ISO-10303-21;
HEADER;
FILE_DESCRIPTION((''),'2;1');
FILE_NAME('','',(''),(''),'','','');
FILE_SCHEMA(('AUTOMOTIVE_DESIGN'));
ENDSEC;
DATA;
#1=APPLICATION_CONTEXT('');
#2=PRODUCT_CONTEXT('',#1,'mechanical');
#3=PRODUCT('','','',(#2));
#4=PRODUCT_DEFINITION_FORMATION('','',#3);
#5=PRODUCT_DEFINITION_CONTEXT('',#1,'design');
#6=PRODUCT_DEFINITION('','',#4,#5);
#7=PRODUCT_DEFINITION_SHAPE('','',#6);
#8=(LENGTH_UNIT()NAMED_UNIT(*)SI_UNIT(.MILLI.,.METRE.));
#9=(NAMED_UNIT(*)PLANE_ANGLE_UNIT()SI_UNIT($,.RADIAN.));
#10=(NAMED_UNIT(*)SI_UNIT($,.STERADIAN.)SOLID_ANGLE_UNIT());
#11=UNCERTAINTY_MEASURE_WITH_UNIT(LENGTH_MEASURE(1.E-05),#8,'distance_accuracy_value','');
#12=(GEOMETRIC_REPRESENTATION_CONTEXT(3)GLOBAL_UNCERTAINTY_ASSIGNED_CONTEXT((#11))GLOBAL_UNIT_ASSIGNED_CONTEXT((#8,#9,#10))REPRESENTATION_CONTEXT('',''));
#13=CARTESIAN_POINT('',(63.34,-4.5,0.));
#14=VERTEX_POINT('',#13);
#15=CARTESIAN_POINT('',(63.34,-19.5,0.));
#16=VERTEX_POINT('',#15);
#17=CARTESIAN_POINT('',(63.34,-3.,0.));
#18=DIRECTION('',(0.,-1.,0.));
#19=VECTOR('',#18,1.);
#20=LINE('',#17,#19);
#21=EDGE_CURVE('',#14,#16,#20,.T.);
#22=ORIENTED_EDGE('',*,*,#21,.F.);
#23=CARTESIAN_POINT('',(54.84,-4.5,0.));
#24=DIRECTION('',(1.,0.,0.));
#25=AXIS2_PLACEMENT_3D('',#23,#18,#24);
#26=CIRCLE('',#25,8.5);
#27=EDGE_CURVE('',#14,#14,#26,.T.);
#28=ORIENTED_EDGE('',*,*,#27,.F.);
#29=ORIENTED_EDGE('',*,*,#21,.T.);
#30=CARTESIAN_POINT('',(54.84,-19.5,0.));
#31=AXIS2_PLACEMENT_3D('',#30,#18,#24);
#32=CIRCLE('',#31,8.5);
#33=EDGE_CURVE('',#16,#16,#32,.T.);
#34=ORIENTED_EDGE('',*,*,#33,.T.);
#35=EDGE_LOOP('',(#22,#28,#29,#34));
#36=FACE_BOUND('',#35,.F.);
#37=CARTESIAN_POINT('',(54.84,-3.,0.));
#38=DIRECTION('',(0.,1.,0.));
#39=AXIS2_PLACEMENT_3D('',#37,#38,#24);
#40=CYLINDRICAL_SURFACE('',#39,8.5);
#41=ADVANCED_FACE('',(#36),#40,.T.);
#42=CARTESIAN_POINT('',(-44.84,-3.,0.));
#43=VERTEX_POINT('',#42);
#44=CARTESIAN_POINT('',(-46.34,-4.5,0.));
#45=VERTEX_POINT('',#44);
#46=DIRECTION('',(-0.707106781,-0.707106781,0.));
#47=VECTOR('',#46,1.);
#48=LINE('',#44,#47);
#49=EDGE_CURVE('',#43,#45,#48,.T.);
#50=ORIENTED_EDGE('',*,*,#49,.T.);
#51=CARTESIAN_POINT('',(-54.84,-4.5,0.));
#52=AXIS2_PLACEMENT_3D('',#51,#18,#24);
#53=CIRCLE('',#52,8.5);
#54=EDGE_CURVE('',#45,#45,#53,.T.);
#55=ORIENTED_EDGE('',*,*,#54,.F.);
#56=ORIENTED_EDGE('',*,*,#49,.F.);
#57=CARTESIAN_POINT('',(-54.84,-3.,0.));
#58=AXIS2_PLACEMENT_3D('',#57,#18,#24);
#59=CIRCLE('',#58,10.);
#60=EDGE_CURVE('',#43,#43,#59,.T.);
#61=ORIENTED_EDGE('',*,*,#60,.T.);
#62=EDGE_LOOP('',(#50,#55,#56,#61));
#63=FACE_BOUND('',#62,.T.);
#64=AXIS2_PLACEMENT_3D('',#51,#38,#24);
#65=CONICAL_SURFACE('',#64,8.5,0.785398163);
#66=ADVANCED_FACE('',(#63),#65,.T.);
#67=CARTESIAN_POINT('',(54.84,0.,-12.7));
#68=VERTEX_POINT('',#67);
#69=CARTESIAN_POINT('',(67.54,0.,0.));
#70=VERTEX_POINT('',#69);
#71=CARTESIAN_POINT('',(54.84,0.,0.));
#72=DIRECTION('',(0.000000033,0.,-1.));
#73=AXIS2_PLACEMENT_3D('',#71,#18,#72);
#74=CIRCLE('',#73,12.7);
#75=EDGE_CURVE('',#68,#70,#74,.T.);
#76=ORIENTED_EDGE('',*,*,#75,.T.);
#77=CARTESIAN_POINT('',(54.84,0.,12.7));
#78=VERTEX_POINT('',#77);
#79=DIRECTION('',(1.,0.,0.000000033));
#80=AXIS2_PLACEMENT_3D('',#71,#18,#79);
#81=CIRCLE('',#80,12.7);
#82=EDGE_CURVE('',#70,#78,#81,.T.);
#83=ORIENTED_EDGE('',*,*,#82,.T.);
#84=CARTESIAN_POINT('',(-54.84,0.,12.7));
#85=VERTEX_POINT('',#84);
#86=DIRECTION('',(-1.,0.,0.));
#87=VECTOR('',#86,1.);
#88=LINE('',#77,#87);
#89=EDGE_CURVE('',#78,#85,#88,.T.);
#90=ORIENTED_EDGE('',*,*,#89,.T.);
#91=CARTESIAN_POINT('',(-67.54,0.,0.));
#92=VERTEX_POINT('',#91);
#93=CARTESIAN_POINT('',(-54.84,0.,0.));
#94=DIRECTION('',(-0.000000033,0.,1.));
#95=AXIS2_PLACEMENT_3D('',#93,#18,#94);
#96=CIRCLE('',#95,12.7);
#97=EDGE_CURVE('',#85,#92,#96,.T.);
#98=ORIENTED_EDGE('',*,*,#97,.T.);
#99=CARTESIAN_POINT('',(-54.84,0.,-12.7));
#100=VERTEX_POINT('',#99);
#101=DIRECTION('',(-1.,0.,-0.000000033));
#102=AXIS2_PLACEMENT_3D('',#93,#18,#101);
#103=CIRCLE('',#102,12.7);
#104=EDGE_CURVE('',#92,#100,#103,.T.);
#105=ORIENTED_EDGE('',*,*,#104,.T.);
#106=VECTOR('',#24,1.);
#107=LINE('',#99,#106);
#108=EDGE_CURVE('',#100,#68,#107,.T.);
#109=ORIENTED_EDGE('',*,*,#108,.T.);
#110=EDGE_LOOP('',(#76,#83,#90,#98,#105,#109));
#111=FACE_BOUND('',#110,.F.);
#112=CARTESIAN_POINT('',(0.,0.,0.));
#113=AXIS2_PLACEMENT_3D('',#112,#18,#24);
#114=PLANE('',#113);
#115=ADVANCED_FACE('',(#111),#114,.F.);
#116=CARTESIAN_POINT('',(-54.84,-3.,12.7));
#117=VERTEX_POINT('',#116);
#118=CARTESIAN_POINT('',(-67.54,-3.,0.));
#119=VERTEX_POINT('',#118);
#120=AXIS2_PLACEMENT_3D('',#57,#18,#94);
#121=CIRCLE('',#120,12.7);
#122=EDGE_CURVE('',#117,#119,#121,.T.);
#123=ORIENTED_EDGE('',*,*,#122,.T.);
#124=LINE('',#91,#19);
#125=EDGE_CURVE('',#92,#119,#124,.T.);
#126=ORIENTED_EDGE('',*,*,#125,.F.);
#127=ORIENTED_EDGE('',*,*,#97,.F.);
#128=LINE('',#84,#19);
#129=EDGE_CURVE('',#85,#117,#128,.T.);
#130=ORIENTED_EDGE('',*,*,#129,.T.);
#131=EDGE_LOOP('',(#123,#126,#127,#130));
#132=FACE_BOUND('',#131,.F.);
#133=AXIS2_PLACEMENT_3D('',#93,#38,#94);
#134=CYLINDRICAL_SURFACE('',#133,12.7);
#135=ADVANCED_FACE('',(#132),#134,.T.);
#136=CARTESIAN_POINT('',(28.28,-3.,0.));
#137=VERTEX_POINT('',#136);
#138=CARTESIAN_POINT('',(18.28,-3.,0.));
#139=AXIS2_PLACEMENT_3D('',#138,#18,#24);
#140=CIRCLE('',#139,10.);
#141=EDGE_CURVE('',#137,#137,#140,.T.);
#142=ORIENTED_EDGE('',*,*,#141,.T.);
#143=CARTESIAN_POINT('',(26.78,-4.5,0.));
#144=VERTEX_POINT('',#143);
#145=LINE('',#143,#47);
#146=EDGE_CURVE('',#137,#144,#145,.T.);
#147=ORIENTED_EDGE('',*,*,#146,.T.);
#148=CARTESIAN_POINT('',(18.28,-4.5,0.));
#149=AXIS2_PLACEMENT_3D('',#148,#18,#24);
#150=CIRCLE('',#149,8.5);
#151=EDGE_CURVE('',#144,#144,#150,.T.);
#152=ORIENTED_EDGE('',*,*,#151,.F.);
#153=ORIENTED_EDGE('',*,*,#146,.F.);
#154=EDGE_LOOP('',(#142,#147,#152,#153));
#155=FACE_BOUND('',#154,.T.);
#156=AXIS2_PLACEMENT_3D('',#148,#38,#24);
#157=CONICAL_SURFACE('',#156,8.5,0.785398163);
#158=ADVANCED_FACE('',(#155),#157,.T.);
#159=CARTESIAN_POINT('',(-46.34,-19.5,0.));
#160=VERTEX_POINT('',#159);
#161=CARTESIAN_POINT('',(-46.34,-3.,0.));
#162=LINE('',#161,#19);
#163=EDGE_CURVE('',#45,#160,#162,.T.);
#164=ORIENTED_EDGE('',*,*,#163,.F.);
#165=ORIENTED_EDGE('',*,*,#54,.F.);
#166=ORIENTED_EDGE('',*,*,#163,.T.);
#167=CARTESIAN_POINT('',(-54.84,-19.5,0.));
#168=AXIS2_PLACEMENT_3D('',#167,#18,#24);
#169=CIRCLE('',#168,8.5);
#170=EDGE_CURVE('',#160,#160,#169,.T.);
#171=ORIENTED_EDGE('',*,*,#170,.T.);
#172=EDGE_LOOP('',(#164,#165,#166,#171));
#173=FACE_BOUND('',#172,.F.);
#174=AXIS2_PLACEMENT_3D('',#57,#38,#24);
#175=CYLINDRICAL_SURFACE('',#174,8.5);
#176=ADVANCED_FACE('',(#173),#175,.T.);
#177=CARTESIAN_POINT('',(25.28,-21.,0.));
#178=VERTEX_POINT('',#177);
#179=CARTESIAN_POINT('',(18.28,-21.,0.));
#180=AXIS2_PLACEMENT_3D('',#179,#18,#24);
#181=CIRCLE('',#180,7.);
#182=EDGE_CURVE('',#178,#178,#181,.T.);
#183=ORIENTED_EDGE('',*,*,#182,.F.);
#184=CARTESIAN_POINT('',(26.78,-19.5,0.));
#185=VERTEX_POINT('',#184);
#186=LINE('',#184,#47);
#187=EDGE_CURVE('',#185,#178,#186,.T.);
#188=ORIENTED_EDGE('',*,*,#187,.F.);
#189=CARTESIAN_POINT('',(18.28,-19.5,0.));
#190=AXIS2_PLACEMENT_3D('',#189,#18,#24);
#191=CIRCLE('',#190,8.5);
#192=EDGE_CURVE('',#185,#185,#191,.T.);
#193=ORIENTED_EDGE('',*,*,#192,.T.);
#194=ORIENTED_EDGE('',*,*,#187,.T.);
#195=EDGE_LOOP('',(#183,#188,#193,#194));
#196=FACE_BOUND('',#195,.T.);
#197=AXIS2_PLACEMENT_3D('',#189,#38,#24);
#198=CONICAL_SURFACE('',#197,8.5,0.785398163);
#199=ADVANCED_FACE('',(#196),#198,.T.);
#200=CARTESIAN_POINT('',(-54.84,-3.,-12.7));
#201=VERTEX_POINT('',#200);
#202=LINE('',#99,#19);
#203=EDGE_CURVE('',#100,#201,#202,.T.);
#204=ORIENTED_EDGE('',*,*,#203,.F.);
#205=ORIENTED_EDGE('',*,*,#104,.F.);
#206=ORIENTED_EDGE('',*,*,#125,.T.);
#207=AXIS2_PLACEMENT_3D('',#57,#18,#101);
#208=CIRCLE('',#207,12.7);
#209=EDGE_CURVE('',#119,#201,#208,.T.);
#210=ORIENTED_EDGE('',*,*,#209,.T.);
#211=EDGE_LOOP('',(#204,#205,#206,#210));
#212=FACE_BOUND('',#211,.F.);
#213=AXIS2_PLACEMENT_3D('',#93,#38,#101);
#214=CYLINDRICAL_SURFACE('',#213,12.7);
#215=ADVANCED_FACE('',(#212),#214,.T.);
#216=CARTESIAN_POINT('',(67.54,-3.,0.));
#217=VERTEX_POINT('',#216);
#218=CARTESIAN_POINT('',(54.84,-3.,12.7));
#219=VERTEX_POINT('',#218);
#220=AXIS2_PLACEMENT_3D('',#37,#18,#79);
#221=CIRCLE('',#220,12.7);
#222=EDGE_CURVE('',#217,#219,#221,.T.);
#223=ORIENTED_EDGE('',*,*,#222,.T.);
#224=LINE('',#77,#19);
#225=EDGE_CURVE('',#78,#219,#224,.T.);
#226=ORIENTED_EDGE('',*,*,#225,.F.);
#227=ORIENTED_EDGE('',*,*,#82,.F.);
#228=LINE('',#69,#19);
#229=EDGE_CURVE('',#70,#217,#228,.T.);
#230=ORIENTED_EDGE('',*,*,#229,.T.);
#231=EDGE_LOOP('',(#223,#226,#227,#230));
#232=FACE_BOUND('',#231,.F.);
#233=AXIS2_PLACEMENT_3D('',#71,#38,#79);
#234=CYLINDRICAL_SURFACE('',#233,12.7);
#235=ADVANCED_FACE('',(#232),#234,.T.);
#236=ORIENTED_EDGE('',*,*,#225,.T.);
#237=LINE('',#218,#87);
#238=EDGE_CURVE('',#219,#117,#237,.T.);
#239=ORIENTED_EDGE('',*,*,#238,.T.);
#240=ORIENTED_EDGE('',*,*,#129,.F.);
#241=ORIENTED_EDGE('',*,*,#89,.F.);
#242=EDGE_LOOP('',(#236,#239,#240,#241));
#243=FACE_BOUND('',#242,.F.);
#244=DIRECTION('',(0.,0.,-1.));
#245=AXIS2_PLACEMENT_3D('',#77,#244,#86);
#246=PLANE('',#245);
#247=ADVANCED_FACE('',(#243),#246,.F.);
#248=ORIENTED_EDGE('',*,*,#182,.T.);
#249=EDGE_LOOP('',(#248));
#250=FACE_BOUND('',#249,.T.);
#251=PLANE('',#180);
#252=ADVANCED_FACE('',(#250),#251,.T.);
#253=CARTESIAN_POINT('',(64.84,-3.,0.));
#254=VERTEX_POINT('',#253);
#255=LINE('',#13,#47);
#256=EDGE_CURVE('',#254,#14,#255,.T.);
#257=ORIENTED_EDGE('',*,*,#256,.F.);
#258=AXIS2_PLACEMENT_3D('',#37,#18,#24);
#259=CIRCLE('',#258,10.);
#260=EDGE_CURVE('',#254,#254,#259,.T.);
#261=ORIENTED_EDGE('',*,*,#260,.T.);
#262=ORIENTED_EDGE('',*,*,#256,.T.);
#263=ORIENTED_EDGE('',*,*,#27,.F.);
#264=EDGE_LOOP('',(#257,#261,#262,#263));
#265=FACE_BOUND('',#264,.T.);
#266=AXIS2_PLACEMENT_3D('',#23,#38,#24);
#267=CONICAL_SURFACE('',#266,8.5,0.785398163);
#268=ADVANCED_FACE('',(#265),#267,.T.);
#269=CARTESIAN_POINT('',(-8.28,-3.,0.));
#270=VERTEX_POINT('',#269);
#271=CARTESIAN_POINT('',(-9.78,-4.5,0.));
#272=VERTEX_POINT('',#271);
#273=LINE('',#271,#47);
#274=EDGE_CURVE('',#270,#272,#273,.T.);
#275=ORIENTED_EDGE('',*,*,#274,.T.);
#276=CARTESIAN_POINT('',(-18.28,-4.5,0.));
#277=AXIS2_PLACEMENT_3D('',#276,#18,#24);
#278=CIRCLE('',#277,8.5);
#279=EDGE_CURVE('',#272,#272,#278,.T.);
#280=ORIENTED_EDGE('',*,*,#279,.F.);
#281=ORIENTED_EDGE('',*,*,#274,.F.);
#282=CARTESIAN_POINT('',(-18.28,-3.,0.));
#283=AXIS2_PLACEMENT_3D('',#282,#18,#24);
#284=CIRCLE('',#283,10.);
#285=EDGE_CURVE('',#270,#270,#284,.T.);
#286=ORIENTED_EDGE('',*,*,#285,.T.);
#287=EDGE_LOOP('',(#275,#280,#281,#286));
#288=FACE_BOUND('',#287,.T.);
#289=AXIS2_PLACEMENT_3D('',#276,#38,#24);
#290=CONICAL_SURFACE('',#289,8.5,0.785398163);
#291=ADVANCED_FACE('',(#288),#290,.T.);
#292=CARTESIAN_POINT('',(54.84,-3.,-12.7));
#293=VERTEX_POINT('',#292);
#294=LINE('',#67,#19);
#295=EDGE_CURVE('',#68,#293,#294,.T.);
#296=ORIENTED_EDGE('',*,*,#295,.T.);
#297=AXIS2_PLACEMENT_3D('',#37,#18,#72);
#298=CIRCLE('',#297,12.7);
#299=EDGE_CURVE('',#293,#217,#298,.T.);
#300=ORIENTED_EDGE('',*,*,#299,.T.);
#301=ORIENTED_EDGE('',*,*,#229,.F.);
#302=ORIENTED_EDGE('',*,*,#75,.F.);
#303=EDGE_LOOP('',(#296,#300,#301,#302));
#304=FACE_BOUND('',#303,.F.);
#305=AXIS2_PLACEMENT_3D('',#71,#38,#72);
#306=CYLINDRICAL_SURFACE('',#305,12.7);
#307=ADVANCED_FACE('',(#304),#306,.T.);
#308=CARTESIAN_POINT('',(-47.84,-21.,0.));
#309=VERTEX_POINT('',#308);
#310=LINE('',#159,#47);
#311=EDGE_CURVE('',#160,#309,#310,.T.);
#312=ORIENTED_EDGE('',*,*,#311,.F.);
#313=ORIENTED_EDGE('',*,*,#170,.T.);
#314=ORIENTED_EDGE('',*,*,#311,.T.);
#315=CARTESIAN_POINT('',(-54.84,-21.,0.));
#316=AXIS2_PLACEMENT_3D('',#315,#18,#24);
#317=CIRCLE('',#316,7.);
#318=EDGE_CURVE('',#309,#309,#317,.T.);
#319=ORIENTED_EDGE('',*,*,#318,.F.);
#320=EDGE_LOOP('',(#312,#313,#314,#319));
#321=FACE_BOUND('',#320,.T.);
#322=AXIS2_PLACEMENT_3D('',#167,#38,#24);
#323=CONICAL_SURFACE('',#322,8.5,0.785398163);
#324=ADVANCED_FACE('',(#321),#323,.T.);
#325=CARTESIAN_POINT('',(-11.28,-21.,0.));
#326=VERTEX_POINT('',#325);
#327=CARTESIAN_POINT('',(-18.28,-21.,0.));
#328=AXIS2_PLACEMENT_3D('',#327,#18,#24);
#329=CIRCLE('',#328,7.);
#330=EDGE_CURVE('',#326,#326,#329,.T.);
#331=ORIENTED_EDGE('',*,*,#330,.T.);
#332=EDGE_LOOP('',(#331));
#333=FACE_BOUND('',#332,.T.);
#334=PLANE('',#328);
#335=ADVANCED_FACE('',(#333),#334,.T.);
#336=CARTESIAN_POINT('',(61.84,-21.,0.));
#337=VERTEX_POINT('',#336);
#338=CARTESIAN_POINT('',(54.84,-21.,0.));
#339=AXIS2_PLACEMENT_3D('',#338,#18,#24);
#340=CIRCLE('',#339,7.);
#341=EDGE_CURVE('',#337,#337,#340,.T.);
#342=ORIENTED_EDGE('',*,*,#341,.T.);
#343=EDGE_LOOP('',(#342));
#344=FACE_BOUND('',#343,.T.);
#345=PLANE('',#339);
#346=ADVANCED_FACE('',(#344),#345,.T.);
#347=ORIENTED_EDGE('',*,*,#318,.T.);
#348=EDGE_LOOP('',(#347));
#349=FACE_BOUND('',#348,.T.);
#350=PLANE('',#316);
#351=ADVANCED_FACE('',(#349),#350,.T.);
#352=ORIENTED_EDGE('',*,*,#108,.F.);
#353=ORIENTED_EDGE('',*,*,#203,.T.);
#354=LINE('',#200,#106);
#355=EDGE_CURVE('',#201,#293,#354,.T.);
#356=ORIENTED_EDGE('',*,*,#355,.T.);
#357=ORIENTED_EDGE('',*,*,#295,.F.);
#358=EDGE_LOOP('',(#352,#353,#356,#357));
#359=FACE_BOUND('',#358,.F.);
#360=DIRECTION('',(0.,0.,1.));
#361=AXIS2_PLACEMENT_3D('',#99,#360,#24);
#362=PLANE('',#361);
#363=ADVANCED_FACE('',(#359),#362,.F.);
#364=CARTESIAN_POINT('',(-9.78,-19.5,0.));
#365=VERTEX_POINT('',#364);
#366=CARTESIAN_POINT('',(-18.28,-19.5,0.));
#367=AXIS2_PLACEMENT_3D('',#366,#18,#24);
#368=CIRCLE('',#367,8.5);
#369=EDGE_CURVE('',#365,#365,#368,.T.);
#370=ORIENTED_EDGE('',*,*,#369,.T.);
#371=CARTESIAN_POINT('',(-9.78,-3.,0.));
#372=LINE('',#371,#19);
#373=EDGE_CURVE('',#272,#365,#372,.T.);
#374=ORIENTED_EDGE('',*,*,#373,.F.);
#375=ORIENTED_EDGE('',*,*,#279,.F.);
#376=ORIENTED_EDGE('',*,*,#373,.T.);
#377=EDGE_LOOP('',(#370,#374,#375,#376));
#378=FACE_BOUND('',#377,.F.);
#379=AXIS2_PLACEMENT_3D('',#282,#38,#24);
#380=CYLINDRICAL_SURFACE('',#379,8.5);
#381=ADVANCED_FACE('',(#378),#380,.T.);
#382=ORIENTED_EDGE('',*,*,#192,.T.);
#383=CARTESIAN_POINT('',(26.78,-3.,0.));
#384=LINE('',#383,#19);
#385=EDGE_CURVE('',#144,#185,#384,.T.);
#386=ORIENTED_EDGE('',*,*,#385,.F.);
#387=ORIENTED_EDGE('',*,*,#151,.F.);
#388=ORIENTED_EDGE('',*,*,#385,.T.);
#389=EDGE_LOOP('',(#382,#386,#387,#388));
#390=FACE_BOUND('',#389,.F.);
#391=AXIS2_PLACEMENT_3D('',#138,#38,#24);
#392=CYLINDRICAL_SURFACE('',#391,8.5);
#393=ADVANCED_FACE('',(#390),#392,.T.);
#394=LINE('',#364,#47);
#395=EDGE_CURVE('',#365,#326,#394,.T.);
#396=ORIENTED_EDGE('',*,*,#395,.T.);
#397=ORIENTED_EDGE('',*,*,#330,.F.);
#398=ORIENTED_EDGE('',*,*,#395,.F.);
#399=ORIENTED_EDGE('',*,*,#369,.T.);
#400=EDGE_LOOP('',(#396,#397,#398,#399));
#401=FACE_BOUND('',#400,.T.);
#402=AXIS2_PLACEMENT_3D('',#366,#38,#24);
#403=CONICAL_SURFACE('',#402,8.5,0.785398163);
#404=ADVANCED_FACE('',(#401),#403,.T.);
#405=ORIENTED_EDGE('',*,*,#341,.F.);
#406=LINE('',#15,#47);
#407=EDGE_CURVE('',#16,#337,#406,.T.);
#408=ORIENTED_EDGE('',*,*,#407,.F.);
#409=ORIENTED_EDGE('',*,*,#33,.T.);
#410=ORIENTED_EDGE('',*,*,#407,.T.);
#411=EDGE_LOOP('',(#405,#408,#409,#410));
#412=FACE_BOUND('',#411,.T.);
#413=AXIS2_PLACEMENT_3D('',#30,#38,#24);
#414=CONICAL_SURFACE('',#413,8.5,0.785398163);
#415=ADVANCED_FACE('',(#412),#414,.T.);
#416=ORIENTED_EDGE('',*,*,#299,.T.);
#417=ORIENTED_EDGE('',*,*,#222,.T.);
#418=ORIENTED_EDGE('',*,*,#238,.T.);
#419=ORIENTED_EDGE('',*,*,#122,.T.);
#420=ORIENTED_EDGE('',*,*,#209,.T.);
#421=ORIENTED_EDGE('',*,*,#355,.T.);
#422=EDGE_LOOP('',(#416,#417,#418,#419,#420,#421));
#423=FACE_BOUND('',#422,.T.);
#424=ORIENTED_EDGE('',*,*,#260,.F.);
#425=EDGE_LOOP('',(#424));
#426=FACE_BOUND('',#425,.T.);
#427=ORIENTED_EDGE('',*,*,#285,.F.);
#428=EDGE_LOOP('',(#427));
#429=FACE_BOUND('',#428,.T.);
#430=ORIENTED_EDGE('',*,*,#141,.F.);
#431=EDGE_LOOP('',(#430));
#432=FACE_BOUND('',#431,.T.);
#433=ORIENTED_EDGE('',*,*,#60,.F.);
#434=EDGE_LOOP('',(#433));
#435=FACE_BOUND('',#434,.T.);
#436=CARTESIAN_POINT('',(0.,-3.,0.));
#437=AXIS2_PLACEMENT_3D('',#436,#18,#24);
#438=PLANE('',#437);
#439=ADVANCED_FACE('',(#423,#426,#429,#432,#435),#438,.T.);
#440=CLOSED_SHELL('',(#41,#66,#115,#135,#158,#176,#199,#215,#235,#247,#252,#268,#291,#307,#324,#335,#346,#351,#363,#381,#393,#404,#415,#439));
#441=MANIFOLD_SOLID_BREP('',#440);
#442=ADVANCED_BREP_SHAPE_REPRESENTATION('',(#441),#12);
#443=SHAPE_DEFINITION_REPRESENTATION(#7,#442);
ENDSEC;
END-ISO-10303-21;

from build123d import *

# Parameters (mm, degrees)
F1_DEPTH = 3
F2_R     = 8.5
F3_DEPTH = 18
F4_SIZE  = 1.5


with BuildPart() as f1:
    # F0 (on Front) → F1 (new body)
    with BuildSketch(Plane.XZ):
        with BuildLine():
            Line((54.84, 12.7), (-54.84, 12.7))
            ThreePointArc((-54.84, 12.7), (-63.820256, 8.980256), (-67.54, 0))
            ThreePointArc((-67.54, 0), (-63.820256, -8.980256), (-54.84, -12.7))
            Line((-54.84, -12.7), (54.84, -12.7))
            ThreePointArc((54.84, -12.7), (63.820256, -8.980256), (67.54, 0))
            ThreePointArc((67.54, 0), (63.820256, 8.980256), (54.84, 12.7))
        make_face()
    extrude(amount=F1_DEPTH)

    # F2 (on face) → F3 (join)
    with BuildSketch(Plane.XZ.offset(3)):
        with Locations((-54.84, 0)):
            Circle(F2_R)
        with Locations((54.84, 0)):
            Circle(F2_R)
        with Locations((-18.28, 0)):
            Circle(F2_R)
        with Locations((18.28, 0)):
            Circle(F2_R)
    extrude(amount=F3_DEPTH)

    # F4
    f4_edges = [f1.edges().sort_by_distance(p)[0] for p in [
        (-63.34, -21, 0),
        (-26.78, -21, 0),
        (9.78, -21, 0),
        (46.34, -21, 0),
        (-26.78, -3, 0),
        (-63.34, -3, 0),
        (9.78, -3, 0),
        (46.34, -3, 0),
    ]]
    chamfer(f4_edges, length=F4_SIZE)


solid = f1.part
